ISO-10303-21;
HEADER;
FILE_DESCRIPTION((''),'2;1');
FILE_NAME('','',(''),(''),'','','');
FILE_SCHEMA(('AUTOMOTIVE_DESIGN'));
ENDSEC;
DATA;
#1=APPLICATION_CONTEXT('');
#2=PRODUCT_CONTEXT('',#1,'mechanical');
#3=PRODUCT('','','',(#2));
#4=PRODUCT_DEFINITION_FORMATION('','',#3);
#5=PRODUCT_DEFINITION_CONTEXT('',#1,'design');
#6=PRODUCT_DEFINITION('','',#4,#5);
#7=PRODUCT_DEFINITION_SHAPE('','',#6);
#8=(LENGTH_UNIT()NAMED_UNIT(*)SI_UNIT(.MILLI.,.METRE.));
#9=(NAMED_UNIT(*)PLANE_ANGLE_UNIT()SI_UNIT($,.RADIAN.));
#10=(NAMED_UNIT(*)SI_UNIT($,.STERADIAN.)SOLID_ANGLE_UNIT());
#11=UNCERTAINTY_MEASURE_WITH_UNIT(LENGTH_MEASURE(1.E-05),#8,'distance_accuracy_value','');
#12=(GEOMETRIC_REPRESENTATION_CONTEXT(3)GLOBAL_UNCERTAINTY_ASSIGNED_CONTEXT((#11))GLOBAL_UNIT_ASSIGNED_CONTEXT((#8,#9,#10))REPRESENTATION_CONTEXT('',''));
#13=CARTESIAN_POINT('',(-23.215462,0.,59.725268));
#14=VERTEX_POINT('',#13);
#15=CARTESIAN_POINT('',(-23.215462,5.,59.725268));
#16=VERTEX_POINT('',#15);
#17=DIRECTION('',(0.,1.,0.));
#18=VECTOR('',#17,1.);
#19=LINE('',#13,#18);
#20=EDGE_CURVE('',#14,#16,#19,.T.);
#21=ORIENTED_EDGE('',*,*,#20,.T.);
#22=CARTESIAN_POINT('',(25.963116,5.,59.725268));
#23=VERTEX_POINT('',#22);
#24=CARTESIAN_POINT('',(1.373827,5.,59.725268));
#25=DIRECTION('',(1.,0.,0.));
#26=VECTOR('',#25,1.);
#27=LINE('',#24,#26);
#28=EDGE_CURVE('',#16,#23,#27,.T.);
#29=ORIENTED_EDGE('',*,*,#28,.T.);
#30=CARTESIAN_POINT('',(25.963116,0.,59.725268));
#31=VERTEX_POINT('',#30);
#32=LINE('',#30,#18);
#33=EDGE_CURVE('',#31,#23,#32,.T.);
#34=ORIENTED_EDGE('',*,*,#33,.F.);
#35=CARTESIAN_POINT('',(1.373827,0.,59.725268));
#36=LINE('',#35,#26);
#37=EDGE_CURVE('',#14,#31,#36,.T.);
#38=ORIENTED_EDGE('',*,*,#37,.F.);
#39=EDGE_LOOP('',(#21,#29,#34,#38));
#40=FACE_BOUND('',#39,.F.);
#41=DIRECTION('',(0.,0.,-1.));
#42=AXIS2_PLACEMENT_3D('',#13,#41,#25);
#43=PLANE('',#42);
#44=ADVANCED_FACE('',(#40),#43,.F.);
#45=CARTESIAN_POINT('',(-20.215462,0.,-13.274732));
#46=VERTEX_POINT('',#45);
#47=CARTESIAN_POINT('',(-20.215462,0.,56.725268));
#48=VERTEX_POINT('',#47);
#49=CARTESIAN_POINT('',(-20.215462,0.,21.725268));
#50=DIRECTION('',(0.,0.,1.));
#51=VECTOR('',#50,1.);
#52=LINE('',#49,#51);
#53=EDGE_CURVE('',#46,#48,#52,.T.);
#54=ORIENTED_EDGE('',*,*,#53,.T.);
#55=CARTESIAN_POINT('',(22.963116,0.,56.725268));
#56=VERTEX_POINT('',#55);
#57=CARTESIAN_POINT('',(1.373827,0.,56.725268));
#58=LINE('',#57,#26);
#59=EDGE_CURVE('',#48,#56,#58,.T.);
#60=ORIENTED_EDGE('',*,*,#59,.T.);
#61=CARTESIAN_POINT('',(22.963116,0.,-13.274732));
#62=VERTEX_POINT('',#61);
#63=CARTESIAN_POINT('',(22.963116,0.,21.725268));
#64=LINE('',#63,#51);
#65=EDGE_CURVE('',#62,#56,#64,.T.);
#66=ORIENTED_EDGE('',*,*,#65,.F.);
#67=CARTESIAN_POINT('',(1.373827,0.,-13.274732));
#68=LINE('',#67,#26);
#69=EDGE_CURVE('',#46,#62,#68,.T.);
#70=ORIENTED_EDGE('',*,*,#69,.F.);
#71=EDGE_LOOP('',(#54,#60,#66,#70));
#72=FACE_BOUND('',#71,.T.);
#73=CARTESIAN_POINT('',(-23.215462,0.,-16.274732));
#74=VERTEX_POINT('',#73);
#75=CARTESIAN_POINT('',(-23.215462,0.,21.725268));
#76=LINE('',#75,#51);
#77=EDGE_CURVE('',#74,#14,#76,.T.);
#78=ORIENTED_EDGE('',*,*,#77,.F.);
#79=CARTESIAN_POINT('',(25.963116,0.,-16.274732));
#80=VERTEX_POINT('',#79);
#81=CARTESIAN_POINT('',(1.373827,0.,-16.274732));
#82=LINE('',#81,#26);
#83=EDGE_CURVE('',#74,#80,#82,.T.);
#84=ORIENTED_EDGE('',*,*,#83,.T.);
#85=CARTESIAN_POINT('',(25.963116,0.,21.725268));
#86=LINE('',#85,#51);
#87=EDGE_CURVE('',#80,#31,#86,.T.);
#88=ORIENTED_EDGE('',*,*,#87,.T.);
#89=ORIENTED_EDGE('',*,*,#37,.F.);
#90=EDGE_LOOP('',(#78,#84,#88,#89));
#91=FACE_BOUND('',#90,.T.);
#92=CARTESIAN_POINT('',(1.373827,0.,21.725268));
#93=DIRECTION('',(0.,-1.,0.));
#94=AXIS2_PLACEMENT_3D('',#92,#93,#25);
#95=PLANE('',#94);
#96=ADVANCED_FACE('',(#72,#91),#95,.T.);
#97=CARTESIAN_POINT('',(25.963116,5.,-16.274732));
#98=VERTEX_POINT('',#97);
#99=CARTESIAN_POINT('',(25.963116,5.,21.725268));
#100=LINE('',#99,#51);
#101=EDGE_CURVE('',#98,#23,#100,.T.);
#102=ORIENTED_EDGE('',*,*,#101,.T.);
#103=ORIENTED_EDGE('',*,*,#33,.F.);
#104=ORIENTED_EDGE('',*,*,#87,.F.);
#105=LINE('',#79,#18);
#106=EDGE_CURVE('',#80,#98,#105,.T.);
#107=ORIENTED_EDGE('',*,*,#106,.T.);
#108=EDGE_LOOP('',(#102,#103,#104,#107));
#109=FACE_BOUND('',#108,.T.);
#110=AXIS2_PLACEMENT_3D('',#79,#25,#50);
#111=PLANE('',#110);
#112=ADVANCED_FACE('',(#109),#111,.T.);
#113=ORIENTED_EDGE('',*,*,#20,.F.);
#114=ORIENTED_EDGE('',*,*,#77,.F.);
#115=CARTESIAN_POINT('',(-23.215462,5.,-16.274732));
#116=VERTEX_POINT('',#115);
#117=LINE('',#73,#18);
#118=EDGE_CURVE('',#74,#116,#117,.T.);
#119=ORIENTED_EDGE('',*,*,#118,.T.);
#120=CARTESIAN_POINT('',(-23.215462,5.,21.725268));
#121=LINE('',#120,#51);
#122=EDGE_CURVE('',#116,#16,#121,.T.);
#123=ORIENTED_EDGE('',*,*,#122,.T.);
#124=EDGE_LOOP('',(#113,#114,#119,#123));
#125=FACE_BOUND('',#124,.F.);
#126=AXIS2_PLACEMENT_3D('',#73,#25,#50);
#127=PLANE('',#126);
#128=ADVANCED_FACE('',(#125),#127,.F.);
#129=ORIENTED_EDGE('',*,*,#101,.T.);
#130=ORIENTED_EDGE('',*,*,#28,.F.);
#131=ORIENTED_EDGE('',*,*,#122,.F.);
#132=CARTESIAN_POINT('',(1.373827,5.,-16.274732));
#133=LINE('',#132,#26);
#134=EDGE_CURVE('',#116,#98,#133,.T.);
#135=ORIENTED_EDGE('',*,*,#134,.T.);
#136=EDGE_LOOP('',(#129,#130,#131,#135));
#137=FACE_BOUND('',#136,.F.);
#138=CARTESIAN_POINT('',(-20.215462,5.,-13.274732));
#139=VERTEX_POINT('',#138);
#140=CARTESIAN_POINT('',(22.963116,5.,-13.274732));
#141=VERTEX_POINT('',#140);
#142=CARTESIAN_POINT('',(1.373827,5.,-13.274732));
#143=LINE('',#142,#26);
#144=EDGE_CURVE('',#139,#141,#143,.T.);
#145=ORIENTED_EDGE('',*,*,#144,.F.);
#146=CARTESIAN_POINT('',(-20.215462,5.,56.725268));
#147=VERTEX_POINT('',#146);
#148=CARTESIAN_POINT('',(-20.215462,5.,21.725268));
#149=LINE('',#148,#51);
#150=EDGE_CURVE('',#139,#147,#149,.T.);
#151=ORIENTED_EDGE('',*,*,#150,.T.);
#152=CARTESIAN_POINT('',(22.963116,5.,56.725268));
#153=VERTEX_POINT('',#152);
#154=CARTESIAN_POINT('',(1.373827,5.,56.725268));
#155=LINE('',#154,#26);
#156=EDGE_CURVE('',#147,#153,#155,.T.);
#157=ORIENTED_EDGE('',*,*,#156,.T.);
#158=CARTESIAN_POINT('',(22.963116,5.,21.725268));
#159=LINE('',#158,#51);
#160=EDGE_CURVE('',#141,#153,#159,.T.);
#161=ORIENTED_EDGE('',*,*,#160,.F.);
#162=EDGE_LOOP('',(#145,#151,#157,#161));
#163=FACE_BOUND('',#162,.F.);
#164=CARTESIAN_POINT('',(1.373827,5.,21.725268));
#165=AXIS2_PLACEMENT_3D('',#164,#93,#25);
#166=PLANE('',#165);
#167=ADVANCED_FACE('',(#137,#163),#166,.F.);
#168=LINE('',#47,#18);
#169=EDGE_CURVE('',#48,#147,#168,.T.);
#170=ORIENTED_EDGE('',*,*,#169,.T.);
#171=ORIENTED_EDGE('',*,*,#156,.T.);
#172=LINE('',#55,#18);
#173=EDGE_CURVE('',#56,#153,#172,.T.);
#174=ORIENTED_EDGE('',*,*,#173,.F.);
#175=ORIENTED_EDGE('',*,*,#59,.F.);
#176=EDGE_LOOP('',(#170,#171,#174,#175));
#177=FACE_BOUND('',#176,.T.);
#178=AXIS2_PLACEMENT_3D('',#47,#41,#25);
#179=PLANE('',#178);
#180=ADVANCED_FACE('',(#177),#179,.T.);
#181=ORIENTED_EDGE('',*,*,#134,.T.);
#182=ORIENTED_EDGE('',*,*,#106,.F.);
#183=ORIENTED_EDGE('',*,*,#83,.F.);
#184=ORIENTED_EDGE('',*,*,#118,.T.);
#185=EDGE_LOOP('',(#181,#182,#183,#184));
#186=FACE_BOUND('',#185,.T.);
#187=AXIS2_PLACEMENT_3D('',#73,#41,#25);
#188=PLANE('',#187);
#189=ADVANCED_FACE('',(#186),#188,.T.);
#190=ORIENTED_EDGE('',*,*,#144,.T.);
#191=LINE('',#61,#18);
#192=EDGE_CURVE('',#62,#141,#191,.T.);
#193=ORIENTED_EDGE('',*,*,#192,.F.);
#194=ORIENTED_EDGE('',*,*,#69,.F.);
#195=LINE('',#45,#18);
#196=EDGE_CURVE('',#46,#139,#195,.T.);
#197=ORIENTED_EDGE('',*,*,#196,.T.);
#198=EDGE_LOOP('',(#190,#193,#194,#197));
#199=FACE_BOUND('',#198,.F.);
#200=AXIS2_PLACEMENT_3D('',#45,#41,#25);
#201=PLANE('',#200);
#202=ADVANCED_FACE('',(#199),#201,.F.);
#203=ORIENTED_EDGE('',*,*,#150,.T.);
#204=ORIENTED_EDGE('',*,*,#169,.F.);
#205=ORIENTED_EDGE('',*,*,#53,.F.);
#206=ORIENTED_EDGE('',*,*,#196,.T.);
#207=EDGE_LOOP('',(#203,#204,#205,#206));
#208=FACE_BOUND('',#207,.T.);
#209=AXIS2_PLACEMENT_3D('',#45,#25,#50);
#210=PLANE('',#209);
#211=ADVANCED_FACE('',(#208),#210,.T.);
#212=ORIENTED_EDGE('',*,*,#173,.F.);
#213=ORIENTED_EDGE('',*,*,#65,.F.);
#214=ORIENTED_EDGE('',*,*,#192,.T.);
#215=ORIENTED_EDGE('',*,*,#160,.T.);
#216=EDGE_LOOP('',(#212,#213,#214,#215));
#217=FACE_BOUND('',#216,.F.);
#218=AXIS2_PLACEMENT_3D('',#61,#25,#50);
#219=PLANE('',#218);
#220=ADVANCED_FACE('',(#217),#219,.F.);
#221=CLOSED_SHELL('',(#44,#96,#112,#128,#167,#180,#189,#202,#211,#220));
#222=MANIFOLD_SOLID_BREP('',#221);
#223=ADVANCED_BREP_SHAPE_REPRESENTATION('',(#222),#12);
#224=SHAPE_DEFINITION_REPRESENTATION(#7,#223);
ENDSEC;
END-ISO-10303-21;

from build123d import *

# Parameters (mm, degrees)
F0_W     = 49.178578
F0_H     = 76
F0_W_2   = 43.178578
F0_H_2   = 70
F1_DEPTH = 5


with BuildPart() as f1:
    # F0 (on Front) → F1 (new body)
    with BuildSketch(Plane.XZ):
        with Locations((1.373827, 21.725268)):
            Rectangle(F0_W, F0_H)
        with Locations((1.373827, 21.725268)):
            Rectangle(F0_W_2, F0_H_2, mode=Mode.SUBTRACT)
    extrude(amount=-F1_DEPTH)


solid = f1.part
